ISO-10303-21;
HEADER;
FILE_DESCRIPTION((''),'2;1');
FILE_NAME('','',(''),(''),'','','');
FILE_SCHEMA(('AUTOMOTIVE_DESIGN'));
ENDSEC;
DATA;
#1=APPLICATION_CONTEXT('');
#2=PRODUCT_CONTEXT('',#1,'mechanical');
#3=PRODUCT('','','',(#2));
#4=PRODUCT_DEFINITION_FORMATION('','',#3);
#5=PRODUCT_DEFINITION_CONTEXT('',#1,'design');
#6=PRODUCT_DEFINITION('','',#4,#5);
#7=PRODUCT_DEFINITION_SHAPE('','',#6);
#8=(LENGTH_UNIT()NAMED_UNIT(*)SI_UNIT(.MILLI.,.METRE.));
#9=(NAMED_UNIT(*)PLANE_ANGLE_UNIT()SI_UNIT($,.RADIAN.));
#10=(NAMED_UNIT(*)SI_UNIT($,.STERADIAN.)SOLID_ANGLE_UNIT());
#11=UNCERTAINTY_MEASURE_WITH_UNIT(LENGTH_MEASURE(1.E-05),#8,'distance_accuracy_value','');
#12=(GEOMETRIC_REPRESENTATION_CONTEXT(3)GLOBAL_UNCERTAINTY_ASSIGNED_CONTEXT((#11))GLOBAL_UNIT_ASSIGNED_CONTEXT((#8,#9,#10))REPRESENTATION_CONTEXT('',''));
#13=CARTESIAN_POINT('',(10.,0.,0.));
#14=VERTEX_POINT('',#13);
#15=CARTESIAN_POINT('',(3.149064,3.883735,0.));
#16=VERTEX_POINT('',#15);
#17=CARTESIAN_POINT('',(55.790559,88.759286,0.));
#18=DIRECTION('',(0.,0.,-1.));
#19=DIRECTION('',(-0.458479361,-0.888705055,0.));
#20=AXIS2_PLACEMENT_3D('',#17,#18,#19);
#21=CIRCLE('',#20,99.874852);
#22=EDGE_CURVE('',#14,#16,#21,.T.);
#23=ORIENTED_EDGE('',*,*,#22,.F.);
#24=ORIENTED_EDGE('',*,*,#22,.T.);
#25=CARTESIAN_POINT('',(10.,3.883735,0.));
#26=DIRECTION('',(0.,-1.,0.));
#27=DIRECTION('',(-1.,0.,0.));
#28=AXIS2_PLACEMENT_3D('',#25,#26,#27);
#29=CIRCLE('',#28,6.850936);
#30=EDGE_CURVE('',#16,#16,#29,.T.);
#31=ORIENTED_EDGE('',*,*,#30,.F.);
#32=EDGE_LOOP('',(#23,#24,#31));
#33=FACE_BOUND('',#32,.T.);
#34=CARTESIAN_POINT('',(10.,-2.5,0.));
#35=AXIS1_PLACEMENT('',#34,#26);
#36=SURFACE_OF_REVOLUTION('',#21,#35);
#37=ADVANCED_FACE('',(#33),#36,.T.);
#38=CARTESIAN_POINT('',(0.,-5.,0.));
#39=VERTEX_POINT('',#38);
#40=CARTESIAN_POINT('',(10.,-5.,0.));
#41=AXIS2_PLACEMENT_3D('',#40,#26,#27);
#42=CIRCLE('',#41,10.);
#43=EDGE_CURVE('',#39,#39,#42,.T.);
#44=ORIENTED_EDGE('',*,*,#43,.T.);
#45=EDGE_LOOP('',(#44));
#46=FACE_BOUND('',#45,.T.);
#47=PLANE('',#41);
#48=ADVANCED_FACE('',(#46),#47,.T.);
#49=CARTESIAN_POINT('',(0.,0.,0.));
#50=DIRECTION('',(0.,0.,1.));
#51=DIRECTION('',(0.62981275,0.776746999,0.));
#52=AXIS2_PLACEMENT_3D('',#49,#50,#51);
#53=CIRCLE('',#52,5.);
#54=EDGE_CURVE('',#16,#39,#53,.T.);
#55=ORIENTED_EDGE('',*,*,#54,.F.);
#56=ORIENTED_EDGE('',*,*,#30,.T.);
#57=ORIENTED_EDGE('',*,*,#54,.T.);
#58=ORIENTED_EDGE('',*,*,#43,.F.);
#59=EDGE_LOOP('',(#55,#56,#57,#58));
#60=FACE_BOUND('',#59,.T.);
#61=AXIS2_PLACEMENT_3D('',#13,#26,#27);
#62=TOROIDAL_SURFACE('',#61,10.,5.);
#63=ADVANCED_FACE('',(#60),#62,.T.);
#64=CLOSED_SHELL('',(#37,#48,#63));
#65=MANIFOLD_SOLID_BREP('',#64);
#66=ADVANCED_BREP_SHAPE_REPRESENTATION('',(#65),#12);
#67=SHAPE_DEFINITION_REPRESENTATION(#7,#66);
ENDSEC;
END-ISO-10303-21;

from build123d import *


with BuildPart() as f1:
    # F0 (on Top) → F1 (revolve)
    with BuildSketch(Plane.XY):
        with BuildLine():
            ThreePointArc((0, -5), (3.535534, -3.535534), (5, 0))
            ThreePointArc((5, 0), (4.513608, 2.151125), (3.149064, 3.883735))
            ThreePointArc((3.149064, 3.883735), (-4.712678, 1.670528), (0, -5))
        make_face()
        with BuildLine():
            ThreePointArc((3.149064, 3.883735), (4.513608, 2.151125), (5, 0))
            ThreePointArc((5, 0), (3.535534, -3.535534), (0, -5))
            Line((0, -5), (10, -5))
            Line((10, -5), (10, 0))
            ThreePointArc((10, 0), (6.536238, 1.874316), (3.149064, 3.883735))
        make_face()
    revolve(axis=Axis((10, -2.5, 0), (0, -1, 0)))


solid = f1.part
